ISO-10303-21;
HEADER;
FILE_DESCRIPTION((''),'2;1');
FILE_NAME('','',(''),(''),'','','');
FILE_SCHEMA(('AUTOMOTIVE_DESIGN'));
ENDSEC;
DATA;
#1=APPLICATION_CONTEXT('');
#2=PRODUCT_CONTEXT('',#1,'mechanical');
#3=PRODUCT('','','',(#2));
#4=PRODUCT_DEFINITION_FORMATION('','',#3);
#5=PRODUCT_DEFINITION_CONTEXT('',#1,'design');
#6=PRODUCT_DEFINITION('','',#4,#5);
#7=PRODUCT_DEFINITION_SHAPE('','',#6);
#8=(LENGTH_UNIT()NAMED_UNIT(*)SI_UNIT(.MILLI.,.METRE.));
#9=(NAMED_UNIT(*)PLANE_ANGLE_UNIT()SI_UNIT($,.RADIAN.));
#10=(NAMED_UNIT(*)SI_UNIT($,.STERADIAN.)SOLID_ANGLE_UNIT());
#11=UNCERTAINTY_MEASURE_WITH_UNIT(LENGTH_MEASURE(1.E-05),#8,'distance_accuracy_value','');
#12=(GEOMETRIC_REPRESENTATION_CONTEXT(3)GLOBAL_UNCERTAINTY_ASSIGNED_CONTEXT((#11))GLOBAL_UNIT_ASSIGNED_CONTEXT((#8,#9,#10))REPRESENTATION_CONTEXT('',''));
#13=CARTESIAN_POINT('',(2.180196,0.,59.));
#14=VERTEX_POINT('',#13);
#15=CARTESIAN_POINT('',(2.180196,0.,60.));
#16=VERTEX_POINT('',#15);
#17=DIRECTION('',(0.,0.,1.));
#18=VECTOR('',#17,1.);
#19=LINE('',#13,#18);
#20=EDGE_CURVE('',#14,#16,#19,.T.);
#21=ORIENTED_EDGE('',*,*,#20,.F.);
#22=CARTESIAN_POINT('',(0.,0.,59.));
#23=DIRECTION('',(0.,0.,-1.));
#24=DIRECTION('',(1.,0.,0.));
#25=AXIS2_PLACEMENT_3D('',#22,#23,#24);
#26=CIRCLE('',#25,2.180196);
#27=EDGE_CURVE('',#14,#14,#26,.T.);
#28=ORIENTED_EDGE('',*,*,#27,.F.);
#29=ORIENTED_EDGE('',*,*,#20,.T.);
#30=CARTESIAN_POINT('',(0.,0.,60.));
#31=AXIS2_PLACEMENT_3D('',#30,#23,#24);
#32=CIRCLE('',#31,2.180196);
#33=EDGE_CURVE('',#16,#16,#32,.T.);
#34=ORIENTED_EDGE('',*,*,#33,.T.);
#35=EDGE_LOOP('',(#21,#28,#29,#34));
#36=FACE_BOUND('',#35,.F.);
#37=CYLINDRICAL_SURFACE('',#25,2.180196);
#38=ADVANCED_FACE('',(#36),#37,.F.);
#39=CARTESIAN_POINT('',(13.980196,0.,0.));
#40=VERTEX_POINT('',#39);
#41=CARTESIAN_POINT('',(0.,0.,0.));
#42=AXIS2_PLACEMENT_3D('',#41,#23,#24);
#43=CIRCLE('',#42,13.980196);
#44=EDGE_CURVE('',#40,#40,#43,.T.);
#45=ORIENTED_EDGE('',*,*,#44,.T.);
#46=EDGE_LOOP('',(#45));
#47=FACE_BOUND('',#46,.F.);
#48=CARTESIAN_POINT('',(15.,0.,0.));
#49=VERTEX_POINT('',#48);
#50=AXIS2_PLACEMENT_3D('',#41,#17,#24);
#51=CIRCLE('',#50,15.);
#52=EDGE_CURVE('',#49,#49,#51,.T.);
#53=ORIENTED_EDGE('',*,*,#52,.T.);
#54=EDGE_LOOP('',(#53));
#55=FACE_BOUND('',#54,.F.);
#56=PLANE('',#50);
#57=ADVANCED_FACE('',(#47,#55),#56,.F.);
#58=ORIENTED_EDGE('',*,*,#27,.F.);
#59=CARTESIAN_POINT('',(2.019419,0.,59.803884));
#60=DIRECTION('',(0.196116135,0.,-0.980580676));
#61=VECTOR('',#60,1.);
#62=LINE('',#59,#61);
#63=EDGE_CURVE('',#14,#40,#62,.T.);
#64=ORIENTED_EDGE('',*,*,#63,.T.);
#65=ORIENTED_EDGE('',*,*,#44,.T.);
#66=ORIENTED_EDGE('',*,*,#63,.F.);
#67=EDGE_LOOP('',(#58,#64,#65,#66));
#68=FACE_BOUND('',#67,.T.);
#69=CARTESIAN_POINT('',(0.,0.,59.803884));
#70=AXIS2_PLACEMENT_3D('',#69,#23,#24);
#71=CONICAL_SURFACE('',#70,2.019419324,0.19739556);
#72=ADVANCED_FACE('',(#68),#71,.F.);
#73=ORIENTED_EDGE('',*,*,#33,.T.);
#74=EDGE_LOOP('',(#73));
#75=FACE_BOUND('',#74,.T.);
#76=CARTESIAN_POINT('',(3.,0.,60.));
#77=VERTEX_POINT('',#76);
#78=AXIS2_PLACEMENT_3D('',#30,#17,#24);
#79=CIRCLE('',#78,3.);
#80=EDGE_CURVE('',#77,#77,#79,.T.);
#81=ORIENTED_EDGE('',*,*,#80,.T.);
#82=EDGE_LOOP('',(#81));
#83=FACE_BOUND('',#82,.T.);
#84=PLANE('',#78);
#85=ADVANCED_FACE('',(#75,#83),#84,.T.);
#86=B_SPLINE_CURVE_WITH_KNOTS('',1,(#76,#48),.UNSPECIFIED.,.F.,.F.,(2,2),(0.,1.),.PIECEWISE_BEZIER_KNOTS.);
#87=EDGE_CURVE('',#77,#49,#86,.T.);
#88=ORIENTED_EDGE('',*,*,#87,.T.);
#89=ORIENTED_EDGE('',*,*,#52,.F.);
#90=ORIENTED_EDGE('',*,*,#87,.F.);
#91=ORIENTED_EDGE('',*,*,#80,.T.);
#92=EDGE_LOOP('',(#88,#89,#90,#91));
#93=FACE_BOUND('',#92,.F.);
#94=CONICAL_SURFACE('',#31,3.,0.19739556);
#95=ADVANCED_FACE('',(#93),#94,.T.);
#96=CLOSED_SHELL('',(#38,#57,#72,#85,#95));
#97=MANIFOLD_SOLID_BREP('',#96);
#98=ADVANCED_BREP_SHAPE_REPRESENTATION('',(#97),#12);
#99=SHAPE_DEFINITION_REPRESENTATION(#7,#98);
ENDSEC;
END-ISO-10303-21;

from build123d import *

# Parameters (mm, degrees)
F1_R     = 3
F2_R     = 15
F4_T     = -1
F5_R     = 2.1801960973
F6_DEPTH = 25


with BuildPart() as f3:
    # F1 (on offset) → F3 section 0
    with BuildSketch(Plane.XY.offset(60)):
        Circle(F1_R)
    # F2 (on Top) → F3 section 1
    with BuildSketch(Plane.XY):
        Circle(F2_R)
    loft()

    # F4
    f4_openings = [f3.faces().sort_by_distance(p)[0] for p in [
        (0, 0, 0),
    ]]
    offset(amount=F4_T, openings=f4_openings, kind=Kind.INTERSECTION)

    # F5 (on face) → F6 (cut)
    with BuildSketch(Plane(origin=(0, 0, 59), x_dir=(1, 0, 0), z_dir=(0, 0, -1))):
        Circle(F5_R)
    extrude(amount=-F6_DEPTH, mode=Mode.SUBTRACT)


solid = f3.part
